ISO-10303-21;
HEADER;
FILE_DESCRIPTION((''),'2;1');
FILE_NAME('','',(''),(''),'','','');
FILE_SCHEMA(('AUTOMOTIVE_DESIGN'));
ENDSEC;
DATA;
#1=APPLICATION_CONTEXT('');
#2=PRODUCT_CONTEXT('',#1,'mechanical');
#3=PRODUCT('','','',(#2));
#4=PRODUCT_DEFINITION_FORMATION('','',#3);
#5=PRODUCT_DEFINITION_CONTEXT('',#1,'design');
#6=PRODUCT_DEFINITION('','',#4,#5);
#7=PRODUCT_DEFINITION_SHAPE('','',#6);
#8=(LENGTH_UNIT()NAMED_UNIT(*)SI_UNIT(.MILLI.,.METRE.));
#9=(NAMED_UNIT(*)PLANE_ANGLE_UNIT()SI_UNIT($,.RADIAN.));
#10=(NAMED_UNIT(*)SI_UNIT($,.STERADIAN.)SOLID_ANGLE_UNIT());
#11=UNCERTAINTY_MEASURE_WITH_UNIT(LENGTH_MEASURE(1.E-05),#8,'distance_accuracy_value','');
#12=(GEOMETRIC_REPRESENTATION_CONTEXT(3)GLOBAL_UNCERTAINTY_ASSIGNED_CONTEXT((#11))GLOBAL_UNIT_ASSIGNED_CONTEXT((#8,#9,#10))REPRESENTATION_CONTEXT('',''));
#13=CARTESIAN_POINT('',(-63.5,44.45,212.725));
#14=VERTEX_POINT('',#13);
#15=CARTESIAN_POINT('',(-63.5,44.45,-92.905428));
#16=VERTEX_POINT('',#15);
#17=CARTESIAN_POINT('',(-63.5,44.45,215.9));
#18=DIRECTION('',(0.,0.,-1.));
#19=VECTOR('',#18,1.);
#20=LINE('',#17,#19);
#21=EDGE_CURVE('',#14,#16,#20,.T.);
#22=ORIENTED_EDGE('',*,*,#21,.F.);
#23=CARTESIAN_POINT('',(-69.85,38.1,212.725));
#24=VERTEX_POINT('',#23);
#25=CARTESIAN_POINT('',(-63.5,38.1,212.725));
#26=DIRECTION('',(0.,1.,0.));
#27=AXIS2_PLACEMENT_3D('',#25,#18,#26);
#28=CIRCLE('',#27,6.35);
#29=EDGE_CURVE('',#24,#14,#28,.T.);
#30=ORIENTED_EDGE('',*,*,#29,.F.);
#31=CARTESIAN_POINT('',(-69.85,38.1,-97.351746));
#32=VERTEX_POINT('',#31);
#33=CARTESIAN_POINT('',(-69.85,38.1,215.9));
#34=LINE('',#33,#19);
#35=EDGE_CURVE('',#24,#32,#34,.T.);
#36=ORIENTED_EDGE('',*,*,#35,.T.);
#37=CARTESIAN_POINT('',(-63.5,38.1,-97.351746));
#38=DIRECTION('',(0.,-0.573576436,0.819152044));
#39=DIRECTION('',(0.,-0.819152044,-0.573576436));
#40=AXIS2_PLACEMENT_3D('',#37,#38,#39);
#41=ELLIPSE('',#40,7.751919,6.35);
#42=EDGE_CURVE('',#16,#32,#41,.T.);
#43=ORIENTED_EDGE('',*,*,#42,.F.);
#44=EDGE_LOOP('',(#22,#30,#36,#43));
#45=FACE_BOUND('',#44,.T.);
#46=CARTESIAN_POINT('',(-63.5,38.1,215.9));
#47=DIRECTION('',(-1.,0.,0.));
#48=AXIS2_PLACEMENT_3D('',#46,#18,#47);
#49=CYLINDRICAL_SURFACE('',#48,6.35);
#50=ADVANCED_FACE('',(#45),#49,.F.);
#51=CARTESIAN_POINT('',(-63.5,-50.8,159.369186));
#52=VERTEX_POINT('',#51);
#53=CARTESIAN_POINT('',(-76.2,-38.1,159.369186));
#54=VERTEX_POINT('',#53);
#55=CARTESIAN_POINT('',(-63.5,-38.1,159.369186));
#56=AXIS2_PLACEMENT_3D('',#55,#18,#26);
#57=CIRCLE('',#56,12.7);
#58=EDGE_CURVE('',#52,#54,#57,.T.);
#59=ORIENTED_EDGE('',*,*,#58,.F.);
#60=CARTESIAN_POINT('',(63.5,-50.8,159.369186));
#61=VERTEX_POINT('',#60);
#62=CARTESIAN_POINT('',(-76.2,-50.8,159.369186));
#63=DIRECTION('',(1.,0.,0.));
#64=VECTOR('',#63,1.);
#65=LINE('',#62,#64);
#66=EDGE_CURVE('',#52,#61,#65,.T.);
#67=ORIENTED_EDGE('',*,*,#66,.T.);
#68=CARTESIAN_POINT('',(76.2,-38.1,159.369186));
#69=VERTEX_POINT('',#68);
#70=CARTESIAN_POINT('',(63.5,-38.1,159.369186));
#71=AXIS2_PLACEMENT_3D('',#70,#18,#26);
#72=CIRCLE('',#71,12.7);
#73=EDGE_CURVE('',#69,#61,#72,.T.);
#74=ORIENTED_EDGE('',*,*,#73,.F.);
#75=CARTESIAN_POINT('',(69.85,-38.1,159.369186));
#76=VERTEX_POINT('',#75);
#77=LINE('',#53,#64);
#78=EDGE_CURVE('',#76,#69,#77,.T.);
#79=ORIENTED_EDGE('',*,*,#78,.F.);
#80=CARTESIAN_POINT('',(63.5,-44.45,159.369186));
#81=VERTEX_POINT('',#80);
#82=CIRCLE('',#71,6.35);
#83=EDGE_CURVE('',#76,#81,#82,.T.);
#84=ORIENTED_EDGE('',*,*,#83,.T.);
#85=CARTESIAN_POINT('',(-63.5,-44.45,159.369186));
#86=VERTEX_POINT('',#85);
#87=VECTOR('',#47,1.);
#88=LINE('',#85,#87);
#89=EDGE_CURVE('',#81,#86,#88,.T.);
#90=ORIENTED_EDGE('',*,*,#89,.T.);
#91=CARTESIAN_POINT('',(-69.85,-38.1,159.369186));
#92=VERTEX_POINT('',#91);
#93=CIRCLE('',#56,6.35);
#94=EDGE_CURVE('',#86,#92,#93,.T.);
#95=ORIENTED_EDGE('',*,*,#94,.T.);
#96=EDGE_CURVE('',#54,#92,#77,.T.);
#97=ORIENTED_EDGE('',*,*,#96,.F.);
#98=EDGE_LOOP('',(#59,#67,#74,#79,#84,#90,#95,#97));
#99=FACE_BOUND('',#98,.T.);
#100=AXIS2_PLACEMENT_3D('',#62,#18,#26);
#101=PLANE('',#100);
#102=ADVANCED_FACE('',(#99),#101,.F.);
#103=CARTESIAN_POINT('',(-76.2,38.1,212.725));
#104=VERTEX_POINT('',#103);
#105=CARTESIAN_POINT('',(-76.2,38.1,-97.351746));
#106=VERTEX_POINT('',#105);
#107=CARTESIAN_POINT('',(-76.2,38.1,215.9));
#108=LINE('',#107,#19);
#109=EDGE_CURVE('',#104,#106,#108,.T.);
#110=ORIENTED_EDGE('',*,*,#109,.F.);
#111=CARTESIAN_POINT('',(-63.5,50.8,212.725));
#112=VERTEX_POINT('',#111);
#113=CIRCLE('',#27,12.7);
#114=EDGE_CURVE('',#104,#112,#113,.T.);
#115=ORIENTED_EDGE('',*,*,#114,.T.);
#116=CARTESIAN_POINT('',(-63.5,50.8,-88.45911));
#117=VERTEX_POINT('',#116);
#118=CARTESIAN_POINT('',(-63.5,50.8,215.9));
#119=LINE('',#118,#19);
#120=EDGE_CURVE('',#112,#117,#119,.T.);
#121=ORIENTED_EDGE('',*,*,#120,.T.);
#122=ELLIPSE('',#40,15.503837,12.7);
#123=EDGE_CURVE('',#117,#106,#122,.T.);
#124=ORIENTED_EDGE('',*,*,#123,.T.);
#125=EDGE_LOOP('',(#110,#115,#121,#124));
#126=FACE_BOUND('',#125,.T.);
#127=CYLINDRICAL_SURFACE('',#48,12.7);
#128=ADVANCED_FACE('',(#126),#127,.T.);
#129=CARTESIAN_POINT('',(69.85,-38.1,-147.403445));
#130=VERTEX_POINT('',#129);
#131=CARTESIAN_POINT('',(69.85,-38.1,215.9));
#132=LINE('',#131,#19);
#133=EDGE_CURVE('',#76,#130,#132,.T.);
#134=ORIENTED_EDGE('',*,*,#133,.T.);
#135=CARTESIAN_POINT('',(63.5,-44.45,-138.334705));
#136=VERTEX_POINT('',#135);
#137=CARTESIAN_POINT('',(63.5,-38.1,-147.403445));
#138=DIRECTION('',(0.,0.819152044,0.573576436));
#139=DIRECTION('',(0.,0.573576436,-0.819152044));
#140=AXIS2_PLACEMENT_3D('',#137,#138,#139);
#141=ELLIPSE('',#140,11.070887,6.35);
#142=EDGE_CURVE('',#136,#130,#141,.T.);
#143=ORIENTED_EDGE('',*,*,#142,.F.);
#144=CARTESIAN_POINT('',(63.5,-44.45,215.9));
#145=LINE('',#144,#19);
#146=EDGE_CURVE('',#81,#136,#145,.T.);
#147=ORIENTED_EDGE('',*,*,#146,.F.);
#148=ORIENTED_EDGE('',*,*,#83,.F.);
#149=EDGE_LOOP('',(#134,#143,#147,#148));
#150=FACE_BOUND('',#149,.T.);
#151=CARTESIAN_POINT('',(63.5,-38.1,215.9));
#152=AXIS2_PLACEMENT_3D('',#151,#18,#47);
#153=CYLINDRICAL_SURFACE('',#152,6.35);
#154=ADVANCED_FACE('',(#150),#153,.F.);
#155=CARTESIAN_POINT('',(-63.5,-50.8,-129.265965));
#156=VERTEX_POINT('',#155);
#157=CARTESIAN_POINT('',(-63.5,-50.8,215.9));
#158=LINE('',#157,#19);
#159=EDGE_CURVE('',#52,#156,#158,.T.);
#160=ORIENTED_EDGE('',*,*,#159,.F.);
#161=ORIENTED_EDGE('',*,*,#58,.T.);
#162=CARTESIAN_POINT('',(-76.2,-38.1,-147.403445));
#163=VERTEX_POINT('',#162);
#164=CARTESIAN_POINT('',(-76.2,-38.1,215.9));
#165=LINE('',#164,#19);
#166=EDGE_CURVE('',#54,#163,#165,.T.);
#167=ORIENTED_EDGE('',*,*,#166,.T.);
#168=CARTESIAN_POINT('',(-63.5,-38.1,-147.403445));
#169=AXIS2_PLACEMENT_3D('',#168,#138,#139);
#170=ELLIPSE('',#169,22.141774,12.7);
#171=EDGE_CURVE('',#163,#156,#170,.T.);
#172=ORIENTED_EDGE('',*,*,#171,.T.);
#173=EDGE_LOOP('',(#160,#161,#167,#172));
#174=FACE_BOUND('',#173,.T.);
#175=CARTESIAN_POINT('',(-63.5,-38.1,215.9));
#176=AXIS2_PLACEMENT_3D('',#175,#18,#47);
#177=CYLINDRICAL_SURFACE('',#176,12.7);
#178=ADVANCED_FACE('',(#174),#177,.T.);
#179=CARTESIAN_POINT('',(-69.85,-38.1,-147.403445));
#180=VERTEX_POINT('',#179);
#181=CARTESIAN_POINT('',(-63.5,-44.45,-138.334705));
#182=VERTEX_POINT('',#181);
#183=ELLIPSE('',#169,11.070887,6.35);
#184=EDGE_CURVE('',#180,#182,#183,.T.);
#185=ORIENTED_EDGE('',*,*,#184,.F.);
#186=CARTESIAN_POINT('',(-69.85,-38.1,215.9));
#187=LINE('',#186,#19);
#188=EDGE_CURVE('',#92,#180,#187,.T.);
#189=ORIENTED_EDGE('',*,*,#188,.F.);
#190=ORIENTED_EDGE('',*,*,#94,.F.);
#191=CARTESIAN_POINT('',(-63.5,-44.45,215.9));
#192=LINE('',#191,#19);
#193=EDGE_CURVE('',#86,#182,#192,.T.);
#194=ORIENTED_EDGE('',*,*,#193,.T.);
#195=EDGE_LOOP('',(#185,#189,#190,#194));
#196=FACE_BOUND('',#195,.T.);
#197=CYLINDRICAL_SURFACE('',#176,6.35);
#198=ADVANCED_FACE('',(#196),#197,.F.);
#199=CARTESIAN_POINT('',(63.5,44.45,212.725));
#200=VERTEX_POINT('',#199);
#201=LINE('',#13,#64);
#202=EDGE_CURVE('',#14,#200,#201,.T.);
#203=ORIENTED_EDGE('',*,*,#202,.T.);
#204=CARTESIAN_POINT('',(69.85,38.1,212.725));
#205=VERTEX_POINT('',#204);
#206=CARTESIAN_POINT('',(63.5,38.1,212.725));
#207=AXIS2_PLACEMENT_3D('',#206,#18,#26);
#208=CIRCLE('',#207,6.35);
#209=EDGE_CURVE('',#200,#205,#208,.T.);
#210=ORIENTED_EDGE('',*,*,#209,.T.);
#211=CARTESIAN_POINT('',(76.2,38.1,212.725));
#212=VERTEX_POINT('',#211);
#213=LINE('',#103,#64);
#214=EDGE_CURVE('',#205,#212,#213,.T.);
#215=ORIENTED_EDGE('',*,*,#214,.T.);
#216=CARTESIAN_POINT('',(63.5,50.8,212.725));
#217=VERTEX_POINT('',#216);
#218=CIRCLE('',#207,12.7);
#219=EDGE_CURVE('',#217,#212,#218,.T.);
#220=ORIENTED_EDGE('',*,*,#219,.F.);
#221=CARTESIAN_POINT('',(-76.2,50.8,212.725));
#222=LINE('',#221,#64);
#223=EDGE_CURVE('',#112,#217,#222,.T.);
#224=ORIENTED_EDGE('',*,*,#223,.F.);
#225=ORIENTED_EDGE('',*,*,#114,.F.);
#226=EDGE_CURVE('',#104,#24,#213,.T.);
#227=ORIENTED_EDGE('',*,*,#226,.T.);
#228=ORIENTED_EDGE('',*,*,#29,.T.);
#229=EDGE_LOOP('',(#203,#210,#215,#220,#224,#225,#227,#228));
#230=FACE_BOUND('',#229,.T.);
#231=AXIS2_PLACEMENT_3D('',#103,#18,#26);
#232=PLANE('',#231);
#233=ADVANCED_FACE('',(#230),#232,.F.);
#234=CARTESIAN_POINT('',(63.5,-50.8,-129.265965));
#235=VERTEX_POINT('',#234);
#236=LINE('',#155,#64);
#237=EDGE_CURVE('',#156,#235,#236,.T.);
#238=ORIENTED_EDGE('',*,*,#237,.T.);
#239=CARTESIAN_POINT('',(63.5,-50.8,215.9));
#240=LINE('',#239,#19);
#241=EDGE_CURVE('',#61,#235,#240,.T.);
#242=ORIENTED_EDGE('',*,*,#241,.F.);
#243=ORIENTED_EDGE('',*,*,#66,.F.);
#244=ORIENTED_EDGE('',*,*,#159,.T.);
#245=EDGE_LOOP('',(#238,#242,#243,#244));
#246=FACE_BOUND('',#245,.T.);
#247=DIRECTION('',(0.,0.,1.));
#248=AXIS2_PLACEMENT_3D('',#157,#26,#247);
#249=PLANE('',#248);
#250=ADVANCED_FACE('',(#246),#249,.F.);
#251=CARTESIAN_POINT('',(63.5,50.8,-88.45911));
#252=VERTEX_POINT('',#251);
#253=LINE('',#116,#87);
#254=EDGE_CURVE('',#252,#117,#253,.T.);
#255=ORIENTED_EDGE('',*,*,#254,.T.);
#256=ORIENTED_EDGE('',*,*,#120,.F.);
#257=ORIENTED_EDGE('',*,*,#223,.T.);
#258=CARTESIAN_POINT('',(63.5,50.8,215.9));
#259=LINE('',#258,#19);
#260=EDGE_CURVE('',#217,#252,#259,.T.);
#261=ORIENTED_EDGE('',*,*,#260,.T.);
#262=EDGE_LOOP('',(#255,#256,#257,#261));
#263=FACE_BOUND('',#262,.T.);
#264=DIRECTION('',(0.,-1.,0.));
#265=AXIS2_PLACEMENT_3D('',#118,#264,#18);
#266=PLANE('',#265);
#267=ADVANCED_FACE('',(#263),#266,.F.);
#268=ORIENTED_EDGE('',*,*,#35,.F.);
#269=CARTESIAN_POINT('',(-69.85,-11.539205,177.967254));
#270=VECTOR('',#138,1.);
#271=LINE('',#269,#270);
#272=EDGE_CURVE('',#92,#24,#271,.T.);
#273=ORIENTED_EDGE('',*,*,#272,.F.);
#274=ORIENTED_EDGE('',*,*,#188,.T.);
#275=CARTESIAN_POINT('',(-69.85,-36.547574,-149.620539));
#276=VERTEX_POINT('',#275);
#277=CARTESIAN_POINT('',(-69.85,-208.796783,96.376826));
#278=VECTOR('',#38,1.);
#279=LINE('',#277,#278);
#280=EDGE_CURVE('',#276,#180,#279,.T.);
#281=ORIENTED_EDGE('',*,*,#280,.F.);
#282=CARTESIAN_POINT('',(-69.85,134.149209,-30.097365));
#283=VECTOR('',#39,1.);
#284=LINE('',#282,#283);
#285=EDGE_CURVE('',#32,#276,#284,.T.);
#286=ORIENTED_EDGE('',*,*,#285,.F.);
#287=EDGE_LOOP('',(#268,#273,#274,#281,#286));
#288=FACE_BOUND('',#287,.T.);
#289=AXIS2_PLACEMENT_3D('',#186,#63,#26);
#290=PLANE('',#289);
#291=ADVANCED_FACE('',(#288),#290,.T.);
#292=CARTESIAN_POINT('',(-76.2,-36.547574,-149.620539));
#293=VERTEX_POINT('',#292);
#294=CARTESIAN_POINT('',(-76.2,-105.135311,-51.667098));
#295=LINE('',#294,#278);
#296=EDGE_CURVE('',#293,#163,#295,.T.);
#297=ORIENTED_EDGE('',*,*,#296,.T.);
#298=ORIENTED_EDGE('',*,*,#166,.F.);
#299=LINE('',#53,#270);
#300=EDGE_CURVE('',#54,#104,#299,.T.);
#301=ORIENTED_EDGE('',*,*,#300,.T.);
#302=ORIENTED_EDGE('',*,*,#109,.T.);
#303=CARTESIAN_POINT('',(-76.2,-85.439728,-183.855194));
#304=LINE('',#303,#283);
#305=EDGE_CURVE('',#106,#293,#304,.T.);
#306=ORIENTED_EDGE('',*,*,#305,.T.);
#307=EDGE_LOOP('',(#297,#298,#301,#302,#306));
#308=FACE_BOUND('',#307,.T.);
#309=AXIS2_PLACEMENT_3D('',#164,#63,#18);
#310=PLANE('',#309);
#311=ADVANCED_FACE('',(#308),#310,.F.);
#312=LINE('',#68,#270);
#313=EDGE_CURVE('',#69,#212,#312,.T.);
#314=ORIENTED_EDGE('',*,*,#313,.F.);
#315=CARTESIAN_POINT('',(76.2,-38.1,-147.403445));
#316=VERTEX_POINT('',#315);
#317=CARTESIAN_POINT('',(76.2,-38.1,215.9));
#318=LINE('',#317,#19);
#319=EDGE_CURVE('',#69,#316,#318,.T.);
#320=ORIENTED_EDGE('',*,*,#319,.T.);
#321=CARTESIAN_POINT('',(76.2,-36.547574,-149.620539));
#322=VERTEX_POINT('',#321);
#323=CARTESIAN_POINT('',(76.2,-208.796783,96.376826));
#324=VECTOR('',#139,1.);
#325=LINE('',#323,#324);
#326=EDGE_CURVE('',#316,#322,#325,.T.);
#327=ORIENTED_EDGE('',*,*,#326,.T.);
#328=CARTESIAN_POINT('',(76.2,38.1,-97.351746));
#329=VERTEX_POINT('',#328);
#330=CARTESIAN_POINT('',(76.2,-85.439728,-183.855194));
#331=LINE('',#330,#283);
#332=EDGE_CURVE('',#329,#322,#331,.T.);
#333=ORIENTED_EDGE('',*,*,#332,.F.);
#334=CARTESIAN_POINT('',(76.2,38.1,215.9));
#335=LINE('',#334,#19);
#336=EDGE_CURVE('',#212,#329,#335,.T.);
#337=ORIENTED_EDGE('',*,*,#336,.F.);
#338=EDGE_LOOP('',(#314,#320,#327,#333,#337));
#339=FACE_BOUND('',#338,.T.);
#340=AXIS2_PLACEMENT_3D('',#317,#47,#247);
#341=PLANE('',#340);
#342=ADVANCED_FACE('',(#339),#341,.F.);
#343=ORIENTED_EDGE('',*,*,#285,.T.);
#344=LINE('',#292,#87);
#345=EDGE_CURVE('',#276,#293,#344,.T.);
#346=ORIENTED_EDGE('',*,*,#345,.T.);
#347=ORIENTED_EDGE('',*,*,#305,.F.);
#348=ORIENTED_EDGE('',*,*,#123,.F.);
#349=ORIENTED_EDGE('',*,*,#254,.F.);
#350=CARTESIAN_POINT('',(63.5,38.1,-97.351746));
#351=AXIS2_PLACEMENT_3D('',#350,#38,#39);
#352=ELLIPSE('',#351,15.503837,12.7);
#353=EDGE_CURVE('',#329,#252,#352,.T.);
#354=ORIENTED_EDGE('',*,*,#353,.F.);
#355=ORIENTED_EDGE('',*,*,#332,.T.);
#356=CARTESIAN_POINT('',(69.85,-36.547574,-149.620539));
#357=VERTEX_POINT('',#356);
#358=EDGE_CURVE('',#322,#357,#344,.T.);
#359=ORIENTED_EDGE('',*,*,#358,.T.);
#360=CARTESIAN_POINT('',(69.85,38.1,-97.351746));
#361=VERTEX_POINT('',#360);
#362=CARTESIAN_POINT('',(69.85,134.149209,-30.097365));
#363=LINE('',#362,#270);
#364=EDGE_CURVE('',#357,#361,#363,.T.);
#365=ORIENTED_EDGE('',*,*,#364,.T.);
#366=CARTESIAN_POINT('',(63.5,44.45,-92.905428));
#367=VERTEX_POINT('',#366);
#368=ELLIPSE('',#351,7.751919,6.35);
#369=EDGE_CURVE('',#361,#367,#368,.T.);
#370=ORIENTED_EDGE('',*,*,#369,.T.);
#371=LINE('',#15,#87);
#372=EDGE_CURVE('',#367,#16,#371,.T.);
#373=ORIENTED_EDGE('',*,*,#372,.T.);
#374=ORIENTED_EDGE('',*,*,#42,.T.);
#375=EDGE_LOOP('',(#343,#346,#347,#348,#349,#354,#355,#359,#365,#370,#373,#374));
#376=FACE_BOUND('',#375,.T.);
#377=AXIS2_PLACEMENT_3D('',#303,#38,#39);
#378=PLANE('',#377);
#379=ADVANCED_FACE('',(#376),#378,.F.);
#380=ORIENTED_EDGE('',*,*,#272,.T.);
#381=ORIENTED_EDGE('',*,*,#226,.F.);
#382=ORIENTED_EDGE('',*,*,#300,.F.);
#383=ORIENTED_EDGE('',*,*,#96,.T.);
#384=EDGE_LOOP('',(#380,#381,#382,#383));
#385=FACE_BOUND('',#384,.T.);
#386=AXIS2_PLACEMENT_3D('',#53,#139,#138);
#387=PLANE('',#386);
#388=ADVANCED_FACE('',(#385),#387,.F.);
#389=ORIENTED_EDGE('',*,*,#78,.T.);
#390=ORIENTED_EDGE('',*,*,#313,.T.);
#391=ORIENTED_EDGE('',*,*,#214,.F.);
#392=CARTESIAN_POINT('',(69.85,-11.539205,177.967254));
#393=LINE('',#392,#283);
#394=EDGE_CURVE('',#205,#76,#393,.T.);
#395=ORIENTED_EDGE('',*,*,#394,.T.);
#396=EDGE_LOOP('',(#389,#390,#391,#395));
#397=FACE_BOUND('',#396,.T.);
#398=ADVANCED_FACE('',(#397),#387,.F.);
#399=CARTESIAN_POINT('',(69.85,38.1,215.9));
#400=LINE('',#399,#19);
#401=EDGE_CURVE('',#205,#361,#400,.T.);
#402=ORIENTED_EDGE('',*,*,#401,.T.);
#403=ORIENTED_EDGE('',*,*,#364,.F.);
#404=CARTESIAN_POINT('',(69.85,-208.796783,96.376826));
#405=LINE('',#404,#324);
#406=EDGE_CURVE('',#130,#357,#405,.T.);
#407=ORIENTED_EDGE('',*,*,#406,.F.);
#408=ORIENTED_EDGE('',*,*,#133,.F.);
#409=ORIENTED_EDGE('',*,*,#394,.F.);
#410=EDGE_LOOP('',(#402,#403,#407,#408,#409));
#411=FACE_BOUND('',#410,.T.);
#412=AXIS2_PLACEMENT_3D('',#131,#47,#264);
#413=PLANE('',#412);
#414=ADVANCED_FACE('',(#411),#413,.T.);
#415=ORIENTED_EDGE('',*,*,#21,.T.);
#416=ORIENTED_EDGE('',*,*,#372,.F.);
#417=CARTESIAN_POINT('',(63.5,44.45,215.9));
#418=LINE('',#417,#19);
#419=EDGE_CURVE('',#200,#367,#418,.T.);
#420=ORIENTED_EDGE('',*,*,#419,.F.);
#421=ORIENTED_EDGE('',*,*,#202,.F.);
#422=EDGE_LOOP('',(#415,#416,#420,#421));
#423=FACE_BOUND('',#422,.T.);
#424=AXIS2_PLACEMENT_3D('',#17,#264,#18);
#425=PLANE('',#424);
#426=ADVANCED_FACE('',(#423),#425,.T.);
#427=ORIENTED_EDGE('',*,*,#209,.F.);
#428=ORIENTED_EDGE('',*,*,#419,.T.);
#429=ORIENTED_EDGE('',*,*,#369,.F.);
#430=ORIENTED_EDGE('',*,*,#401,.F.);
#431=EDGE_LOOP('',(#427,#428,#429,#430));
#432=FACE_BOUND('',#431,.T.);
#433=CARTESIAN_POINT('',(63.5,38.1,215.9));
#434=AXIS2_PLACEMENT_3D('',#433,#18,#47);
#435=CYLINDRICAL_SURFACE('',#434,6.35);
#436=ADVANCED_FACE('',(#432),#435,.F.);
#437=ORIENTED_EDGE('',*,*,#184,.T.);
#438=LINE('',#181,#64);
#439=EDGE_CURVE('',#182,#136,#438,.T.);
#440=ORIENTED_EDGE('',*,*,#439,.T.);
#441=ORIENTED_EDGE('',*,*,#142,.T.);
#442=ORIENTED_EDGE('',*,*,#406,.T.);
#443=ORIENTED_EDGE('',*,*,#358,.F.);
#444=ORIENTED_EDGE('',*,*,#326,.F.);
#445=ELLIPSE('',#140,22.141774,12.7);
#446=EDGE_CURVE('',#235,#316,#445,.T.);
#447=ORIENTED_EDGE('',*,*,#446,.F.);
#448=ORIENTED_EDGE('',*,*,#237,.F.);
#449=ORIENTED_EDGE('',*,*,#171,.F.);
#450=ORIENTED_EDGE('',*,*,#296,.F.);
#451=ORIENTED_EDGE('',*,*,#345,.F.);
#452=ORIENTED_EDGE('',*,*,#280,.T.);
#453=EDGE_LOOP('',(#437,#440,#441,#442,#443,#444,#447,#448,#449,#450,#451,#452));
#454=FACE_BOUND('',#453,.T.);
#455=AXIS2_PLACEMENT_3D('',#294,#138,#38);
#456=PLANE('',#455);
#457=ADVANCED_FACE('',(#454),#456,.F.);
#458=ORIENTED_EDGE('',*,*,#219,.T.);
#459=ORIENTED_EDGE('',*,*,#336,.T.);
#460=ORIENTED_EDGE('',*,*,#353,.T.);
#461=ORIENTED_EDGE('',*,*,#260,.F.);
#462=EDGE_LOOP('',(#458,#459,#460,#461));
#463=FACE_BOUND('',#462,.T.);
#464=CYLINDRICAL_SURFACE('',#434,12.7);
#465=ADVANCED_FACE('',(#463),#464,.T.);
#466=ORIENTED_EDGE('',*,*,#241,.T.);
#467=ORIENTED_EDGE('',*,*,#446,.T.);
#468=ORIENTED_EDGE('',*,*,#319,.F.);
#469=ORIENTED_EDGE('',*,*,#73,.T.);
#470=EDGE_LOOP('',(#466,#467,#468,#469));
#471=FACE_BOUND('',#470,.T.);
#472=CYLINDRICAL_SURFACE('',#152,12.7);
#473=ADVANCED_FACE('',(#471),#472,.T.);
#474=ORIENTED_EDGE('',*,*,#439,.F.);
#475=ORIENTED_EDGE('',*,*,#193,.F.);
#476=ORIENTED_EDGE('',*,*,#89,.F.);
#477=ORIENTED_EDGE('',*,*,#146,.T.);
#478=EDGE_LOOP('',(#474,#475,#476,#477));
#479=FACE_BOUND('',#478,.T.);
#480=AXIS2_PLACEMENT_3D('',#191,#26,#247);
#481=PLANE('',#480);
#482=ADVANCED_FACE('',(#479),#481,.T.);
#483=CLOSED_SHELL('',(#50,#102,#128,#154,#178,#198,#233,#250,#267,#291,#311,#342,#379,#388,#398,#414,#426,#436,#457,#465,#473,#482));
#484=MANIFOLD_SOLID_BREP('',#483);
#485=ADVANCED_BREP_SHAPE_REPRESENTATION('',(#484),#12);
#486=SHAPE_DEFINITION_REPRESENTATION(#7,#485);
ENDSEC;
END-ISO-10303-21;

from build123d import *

# Parameters (mm, degrees)
BOSS_EXTRUDE1_DEPTH     = 215.9
CUT_EXTRUDE1_DEPTH      = 235.52055347
CUT_EXTRUDE1_DEPTH_BACK = 235.52055347
CUT_EXTRUDE2_DEPTH      = 235.52055347
CUT_EXTRUDE2_DEPTH_BACK = 235.52055347
CUT_EXTRUDE3_DEPTH      = 267.567675507
CUT_EXTRUDE3_DEPTH_BACK = 267.567675507


with BuildPart() as part:
    # Sketch1 → Boss-Extrude1 (new, symmetric)
    with BuildSketch(Plane.XY):
        with BuildLine():
            Line((-63.5, -50.8), (63.5, -50.8))
            ThreePointArc((63.5, -50.8), (72.480256121, -47.080256121), (76.2, -38.1))
            Line((76.2, -38.1), (76.2, 38.1))
            ThreePointArc((76.2, 38.1), (72.480256121, 47.080256121), (63.5, 50.8))
            Line((63.5, 50.8), (-63.5, 50.8))
            ThreePointArc((-63.5, 50.8), (-72.480256121, 47.080256121), (-76.2, 38.1))
            Line((-76.2, 38.1), (-76.2, -38.1))
            ThreePointArc((-76.2, -38.1), (-72.480256121, -47.080256121), (-63.5, -50.8))
        make_face()
        with BuildLine():
            Line((-63.5, 44.45), (63.5, 44.45))
            ThreePointArc((63.5, 44.45), (67.990128061, 42.590128061), (69.85, 38.1))
            Line((69.85, 38.1), (69.85, -38.1))
            ThreePointArc((69.85, -38.1), (67.990128061, -42.590128061), (63.5, -44.45))
            Line((63.5, -44.45), (-63.5, -44.45))
            ThreePointArc((-63.5, -44.45), (-67.990128061, -42.590128061), (-69.85, -38.1))
            Line((-69.85, -38.1), (-69.85, 38.1))
            ThreePointArc((-69.85, 38.1), (-67.990128061, 42.590128061), (-63.5, 44.45))
        make_face(mode=Mode.SUBTRACT)
    extrude(amount=BOSS_EXTRUDE1_DEPTH, both=True)

    # Sketch2 → Cut-Extrude1 (cut, two sides: drawn at the far end of the back side and taken through both)
    with BuildSketch(Plane(origin=(0, 0, 0), x_dir=(0, 0, -1), z_dir=(1, 0, 0)).offset(-CUT_EXTRUDE1_DEPTH_BACK)):
        Polygon((-215.9, 50.8), (-215.9, -50.8), (-159.369185588, -50.8), (-159.369185588, -38.1), (-212.725, 38.1), (-212.725, 50.8), align=None)
    extrude(amount=CUT_EXTRUDE1_DEPTH + CUT_EXTRUDE1_DEPTH_BACK, mode=Mode.SUBTRACT)

    # Sketch3 → Cut-Extrude2 (cut, two sides: drawn at the far end of the back side and taken through both)
    with BuildSketch(Plane(origin=(0, 0, 0), x_dir=(0, 0, -1), z_dir=(1, 0, 0)).offset(-CUT_EXTRUDE2_DEPTH_BACK)):
        Polygon((70.328712905, 76.692890201), (278.875695835, 76.692890201), (278.875695835, -66.353510659), (183.855194167, -85.439727725), align=None)
    extrude(amount=CUT_EXTRUDE2_DEPTH + CUT_EXTRUDE2_DEPTH_BACK, mode=Mode.SUBTRACT)

    # Sketch4 → Cut-Extrude3 (cut, two sides: drawn at the far end of the back side and taken through both)
    with BuildSketch(Plane(origin=(76.2, 0, 0), x_dir=(0, 0, -1), z_dir=(1, 0, 0)).offset(-CUT_EXTRUDE3_DEPTH_BACK)):
        Polygon((51.667098459, -105.135311235), (172.443519022, -20.566751119), (188.243794301, -73.434684409), align=None)
    extrude(amount=CUT_EXTRUDE3_DEPTH + CUT_EXTRUDE3_DEPTH_BACK, mode=Mode.SUBTRACT)


solid = part.part
